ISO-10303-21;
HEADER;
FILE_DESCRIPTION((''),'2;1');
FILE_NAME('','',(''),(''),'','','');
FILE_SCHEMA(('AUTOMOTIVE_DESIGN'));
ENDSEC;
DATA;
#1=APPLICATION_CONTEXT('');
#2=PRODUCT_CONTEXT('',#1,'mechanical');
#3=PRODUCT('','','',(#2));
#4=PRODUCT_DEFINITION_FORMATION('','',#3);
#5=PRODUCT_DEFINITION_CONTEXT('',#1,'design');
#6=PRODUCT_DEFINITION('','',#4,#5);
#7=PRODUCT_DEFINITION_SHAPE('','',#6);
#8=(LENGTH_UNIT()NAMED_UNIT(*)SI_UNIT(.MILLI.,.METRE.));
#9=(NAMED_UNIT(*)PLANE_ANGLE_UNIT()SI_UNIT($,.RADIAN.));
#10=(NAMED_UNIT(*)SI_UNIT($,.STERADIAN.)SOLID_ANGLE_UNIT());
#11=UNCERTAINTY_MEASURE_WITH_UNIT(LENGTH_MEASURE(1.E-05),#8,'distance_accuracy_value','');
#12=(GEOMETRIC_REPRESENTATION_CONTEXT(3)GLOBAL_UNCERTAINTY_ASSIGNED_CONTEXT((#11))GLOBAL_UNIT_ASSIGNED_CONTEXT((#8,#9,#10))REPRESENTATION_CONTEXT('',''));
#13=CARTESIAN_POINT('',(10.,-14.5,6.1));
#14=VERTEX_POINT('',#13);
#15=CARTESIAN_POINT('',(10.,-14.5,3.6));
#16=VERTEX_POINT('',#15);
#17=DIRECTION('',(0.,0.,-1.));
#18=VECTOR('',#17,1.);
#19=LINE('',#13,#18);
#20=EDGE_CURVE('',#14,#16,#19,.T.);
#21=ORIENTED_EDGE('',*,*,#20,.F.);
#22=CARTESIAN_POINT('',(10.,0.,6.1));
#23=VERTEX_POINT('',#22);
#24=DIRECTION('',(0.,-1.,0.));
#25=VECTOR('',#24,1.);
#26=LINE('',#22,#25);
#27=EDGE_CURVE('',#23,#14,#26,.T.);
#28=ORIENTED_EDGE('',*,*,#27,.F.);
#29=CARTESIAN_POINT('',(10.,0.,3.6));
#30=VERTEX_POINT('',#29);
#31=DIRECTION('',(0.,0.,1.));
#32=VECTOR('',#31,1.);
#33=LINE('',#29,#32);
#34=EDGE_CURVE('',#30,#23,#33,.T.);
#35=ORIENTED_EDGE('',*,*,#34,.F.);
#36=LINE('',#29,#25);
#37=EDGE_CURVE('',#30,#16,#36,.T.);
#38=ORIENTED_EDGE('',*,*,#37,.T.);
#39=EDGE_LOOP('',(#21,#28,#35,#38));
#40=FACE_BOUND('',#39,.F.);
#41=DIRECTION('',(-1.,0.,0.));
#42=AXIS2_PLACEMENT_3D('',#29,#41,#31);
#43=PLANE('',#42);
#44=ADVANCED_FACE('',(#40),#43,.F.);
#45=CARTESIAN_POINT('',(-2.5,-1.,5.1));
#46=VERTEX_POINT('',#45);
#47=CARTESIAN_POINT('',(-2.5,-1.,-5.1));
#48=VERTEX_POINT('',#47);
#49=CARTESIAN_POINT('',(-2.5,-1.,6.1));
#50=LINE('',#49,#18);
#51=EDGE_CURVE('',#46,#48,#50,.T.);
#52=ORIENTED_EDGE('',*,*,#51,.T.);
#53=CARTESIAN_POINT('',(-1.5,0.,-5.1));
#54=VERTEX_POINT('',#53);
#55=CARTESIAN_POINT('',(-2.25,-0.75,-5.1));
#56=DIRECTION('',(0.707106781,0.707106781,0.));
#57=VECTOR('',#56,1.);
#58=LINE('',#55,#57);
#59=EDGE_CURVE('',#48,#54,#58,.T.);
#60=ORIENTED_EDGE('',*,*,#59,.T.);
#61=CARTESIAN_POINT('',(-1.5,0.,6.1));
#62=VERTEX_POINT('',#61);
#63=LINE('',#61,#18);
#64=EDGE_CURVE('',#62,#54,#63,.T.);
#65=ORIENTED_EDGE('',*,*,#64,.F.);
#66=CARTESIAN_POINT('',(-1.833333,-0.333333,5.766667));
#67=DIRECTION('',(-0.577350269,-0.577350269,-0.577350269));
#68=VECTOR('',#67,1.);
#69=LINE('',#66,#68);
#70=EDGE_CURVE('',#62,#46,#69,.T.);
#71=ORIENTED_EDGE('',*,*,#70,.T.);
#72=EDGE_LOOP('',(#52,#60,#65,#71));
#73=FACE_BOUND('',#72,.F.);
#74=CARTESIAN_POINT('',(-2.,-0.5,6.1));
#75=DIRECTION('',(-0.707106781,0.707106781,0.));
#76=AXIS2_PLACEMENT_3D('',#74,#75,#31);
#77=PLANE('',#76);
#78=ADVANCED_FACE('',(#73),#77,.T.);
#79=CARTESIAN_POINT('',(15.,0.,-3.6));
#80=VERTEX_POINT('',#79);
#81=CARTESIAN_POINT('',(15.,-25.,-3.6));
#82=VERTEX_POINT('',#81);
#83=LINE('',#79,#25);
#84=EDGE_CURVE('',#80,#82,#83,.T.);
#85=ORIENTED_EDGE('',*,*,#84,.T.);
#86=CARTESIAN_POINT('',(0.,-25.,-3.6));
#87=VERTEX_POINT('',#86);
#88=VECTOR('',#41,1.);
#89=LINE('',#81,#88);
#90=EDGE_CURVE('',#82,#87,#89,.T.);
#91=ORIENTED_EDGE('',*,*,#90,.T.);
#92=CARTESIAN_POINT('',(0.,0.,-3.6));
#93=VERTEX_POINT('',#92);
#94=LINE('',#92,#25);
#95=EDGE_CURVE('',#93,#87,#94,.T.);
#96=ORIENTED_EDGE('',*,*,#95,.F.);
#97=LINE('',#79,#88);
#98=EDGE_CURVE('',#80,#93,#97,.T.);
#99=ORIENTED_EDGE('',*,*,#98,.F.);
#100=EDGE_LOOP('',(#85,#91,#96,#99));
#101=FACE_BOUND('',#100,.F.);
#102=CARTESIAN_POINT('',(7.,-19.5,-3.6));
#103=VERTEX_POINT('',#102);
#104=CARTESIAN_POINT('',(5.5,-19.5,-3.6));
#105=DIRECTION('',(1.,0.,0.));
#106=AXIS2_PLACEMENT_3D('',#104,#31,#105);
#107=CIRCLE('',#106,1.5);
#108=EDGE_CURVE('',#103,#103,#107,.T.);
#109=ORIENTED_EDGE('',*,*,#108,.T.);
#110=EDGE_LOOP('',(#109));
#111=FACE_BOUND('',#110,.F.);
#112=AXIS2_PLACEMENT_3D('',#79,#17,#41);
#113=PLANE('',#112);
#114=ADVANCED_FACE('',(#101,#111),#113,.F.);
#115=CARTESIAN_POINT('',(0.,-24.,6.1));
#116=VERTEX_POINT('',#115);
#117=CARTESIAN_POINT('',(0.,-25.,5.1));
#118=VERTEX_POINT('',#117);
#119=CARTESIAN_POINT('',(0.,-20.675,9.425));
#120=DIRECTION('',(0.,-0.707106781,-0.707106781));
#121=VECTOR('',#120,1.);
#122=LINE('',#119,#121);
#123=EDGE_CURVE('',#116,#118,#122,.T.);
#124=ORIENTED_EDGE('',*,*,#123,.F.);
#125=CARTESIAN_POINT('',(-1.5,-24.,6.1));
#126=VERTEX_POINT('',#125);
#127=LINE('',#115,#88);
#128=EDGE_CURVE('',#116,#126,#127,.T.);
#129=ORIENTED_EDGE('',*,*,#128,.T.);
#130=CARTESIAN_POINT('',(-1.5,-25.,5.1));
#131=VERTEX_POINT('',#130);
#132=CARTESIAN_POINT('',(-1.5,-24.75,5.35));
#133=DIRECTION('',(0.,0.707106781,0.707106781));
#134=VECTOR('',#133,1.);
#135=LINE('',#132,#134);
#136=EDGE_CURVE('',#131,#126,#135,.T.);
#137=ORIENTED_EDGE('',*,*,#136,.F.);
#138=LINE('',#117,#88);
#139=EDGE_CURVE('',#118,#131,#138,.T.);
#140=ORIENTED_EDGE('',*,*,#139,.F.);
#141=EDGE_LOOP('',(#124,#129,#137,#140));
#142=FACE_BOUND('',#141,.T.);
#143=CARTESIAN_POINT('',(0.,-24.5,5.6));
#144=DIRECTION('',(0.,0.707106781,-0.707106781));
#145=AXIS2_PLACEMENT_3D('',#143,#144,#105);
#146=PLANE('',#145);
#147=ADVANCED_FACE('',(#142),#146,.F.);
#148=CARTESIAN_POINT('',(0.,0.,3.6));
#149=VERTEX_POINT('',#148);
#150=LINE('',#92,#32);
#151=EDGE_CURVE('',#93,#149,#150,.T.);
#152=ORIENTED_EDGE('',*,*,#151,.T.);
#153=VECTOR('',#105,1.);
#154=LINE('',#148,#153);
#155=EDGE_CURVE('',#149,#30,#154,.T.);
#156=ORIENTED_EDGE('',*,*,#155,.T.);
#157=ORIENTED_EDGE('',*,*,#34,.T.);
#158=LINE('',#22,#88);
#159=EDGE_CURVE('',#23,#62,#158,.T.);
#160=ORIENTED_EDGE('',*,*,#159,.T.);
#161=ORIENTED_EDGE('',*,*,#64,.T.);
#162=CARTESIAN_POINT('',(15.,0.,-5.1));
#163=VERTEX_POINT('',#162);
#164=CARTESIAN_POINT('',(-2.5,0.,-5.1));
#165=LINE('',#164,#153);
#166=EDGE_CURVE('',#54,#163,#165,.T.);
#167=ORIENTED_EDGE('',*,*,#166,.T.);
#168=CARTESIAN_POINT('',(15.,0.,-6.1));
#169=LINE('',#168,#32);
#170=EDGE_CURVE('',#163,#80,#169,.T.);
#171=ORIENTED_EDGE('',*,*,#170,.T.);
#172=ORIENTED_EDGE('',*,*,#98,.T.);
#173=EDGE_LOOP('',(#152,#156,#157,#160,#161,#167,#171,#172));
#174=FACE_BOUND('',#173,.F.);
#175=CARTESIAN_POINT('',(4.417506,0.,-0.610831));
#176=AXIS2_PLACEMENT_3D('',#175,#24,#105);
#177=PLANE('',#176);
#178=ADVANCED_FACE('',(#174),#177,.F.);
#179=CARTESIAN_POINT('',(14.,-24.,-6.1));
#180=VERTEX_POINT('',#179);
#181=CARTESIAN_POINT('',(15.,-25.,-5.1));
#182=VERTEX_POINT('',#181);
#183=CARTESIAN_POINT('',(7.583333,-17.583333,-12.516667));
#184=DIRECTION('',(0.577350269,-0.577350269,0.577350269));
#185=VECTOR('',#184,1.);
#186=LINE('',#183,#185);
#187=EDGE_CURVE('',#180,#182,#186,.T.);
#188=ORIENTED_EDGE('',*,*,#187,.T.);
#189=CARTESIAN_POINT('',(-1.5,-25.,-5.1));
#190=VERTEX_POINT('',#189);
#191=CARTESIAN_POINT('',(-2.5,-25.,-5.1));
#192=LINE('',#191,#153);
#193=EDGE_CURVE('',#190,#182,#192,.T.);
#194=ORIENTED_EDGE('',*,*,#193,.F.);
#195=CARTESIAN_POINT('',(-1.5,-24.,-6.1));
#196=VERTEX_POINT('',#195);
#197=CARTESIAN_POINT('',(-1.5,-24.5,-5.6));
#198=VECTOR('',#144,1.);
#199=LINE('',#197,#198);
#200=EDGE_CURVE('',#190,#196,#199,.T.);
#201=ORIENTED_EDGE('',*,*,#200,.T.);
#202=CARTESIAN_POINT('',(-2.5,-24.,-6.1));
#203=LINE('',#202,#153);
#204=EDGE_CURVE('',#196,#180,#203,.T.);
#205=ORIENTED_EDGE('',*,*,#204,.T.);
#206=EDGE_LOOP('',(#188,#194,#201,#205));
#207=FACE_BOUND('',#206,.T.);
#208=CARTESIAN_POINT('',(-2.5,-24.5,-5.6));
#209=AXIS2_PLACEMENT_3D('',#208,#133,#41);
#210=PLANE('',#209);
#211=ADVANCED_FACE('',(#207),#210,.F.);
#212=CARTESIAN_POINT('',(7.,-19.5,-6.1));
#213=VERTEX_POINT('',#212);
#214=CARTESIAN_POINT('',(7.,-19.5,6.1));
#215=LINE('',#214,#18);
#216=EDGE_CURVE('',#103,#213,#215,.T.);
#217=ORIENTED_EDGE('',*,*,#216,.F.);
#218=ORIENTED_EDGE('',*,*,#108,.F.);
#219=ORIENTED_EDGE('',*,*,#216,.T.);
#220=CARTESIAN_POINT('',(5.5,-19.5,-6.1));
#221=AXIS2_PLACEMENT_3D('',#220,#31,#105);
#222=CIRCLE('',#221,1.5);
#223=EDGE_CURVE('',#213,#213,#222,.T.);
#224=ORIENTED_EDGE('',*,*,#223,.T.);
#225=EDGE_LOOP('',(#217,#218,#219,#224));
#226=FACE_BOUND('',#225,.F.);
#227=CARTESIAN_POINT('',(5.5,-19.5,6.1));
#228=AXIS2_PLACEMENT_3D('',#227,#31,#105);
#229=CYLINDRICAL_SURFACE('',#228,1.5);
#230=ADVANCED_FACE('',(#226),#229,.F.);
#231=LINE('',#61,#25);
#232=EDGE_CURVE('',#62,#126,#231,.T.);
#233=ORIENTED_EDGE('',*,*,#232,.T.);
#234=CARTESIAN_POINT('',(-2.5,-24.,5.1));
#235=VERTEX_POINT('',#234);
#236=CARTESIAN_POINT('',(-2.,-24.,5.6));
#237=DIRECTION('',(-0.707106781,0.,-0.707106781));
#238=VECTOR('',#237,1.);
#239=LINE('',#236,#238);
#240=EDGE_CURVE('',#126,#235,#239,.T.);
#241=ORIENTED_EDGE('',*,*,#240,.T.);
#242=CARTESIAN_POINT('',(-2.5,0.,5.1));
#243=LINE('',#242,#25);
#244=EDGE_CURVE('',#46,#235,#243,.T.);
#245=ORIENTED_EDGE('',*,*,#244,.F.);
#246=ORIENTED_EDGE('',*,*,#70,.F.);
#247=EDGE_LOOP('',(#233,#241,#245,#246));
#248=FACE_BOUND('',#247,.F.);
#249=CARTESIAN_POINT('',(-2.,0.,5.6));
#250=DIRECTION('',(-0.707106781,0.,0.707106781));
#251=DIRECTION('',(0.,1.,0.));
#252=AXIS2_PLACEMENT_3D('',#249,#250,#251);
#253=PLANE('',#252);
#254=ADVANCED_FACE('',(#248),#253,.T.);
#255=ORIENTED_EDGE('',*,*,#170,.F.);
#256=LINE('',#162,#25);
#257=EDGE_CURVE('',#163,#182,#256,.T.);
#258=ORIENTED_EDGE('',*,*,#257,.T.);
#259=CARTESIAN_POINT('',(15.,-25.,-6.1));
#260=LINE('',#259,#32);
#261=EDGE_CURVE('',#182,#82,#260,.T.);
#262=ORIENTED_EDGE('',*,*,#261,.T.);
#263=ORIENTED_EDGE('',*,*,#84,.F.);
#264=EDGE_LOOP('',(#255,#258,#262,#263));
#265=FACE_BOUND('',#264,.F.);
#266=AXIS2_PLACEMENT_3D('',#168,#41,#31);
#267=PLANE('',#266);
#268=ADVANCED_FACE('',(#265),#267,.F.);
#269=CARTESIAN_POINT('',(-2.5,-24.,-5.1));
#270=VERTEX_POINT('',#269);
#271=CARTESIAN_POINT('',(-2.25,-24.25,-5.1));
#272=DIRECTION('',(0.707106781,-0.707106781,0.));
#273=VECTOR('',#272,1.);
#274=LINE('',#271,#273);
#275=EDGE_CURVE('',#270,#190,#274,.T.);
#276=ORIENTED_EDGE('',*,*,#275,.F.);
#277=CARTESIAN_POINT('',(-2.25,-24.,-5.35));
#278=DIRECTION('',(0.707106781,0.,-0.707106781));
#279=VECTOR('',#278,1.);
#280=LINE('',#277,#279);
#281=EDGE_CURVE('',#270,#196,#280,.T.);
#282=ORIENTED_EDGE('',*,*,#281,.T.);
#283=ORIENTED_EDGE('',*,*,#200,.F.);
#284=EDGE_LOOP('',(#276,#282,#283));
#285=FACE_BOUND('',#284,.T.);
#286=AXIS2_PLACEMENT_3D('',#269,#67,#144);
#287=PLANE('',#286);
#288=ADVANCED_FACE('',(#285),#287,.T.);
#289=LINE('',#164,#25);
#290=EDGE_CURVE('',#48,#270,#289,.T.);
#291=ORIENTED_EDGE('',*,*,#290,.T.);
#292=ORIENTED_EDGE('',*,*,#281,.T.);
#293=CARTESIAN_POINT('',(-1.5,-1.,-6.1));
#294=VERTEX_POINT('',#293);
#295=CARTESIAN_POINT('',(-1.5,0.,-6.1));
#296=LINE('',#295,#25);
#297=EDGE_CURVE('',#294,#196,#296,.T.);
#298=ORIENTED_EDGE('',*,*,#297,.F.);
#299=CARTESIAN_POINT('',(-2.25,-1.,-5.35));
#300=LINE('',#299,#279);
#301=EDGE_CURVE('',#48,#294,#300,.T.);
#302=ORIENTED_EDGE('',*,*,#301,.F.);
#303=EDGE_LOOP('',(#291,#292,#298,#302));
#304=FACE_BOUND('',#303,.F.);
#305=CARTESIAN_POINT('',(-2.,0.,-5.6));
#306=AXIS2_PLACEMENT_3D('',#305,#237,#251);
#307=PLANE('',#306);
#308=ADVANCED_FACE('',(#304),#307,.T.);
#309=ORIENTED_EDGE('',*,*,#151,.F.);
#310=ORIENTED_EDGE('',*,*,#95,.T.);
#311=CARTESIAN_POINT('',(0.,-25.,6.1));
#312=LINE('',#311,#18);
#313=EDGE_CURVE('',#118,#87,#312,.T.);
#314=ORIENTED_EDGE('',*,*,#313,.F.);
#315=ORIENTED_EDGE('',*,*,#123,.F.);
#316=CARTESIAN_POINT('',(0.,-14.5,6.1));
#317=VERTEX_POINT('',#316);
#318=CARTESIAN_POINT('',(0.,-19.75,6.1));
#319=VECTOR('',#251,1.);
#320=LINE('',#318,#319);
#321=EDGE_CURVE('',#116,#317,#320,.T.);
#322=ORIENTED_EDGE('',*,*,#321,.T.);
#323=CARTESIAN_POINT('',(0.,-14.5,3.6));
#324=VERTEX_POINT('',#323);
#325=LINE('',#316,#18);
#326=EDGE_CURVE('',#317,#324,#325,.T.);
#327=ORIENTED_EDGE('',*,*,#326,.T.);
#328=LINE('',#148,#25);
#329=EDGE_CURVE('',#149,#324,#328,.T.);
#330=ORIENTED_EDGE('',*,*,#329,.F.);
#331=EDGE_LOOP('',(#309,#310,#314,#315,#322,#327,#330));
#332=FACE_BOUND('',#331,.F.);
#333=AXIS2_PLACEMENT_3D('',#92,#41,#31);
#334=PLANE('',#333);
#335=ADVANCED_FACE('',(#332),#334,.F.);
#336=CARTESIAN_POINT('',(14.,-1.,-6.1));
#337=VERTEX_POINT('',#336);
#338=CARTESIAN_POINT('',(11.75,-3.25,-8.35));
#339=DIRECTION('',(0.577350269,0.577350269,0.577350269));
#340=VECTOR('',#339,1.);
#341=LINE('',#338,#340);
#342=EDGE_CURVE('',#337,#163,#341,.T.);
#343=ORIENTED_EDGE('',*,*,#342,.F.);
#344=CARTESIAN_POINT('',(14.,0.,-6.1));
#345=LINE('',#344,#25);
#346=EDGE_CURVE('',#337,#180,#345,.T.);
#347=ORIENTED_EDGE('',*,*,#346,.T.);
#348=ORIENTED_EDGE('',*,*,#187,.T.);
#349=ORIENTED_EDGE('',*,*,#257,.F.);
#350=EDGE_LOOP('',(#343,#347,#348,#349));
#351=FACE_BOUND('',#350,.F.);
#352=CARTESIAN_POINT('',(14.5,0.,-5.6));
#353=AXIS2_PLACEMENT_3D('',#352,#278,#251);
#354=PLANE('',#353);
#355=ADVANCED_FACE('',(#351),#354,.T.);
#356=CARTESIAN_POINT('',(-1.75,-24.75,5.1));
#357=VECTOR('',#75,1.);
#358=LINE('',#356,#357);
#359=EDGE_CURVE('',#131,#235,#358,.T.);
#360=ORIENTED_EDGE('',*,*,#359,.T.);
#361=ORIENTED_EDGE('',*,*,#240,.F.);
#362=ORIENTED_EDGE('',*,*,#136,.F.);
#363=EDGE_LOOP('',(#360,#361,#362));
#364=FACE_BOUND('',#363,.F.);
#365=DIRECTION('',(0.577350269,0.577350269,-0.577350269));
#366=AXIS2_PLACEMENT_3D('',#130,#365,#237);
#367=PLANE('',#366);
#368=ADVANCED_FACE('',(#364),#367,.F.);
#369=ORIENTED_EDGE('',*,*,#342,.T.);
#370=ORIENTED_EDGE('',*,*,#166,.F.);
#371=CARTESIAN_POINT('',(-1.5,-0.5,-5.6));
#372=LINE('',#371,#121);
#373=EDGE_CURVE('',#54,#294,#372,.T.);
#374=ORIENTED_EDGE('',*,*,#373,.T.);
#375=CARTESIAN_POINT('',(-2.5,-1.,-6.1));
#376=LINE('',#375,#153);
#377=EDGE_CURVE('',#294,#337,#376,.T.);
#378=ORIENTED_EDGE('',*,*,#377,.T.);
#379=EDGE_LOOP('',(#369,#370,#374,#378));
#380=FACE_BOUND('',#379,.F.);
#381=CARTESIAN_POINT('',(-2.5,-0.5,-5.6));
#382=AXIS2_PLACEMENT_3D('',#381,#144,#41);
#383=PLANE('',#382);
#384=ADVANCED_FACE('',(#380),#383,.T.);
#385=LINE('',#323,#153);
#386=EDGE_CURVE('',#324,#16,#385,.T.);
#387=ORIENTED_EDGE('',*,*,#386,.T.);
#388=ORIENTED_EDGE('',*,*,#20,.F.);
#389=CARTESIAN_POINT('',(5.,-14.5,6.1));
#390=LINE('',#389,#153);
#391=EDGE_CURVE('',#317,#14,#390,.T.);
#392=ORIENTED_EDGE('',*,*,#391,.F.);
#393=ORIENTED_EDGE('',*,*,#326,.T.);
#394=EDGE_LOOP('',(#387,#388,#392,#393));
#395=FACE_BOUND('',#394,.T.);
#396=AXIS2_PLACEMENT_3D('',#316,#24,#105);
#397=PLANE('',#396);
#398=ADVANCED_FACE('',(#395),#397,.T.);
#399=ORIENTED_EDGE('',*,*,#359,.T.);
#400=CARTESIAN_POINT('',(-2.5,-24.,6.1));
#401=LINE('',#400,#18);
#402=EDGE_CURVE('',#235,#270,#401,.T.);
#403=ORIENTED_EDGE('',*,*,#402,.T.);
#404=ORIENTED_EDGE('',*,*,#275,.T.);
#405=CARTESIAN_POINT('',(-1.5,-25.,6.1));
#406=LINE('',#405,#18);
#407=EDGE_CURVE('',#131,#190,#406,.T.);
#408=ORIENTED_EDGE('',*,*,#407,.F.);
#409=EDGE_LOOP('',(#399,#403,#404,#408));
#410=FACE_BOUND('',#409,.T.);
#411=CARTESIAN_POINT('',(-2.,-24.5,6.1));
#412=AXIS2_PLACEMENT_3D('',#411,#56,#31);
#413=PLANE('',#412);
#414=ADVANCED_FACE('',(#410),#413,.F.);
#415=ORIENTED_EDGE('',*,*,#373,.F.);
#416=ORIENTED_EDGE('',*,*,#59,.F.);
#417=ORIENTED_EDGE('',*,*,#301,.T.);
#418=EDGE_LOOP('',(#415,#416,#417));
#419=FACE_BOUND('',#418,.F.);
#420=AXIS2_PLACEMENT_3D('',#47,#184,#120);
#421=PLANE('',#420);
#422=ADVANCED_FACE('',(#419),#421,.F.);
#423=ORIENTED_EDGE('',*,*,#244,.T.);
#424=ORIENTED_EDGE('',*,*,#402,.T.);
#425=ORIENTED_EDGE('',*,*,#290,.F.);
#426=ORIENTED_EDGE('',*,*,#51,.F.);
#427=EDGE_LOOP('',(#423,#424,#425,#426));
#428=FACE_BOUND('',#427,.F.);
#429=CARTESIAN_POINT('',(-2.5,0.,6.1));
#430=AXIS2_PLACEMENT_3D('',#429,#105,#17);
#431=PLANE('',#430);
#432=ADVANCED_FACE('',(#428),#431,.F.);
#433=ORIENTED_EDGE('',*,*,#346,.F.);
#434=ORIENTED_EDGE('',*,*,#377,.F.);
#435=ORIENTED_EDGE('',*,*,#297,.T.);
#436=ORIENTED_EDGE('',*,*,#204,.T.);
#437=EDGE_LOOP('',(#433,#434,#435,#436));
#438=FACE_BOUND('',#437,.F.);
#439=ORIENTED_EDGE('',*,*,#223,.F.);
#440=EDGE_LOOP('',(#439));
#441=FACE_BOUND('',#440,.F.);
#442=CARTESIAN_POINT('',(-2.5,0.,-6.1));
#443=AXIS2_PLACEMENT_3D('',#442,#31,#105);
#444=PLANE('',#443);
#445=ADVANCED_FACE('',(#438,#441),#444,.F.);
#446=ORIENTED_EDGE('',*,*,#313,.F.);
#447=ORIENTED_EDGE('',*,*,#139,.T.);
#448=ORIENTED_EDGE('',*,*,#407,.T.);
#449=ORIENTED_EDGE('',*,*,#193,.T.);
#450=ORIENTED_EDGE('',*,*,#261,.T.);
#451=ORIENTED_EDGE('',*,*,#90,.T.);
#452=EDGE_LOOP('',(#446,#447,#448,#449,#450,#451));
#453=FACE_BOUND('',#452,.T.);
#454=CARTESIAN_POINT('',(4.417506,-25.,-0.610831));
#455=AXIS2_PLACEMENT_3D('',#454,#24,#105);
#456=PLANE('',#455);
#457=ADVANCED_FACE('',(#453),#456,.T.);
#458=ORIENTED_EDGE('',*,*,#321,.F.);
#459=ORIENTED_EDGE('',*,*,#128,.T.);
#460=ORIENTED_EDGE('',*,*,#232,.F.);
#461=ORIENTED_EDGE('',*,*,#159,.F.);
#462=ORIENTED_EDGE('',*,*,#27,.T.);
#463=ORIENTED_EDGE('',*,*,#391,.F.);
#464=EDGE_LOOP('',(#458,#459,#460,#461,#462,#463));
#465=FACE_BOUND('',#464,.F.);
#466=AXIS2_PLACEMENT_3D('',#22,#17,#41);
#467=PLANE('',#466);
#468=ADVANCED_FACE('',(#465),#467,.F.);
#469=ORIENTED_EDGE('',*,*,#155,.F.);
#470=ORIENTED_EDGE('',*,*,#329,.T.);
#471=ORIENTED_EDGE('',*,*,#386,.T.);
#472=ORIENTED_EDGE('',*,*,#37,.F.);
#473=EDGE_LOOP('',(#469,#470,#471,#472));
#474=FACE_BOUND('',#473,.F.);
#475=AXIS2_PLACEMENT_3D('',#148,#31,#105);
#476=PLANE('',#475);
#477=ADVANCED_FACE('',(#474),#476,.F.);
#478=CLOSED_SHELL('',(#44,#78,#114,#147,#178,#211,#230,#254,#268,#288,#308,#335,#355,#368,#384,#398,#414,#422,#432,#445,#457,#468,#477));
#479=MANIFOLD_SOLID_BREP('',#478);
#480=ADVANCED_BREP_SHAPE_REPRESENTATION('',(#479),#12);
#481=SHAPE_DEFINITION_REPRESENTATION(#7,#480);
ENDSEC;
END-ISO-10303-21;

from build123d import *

# Parameters (mm, degrees)
F1_DEPTH = 25
F2_R     = 1.5
F3_DEPTH = 25
F4_W     = 10
F4_H     = 10.5
F4_R     = 1.5
F5_DEPTH = 5
F6_SIZE  = 1


with BuildPart() as f1:
    # F0 (on Front) → F1 (new body)
    with BuildSketch(Plane.XZ):
        Polygon((0, -3.6), (0, 3.6), (10, 3.6), (10, 6.1), (-2.5, 6.1), (-2.5, -6.1), (15, -6.1), (15, -3.6), align=None)
    extrude(amount=F1_DEPTH)

    # F2 (on face) → F3 (cut)
    with BuildSketch(Plane.XY.offset(6.1)):
        with Locations((5.5, -19.5)):
            Circle(F2_R)
    extrude(amount=-F3_DEPTH, mode=Mode.SUBTRACT)

    # F4 (on face) → F5 (cut)
    with BuildSketch(Plane.XY.offset(6.1)):
        with Locations((5, -19.75)):
            Rectangle(F4_W, F4_H)
        with Locations((5.5, -19.5)):
            Circle(F4_R, mode=Mode.SUBTRACT)
    extrude(amount=-F5_DEPTH, mode=Mode.SUBTRACT)

    # F6
    f6_edges = [f1.edges().sort_by_distance(p)[0] for p in [
        (15, -12.5, -6.1),
        (6.25, 0, -6.1),
        (6.25, -25, -6.1),
        (-2.5, -12.5, 6.1),
        (-1.25, -25, 6.1),
        (-2.5, -25, 0),
        (-2.5, 0, 0),
        (-2.5, -12.5, -6.1),
    ]]
    chamfer(f6_edges, length=F6_SIZE)


solid = f1.part
